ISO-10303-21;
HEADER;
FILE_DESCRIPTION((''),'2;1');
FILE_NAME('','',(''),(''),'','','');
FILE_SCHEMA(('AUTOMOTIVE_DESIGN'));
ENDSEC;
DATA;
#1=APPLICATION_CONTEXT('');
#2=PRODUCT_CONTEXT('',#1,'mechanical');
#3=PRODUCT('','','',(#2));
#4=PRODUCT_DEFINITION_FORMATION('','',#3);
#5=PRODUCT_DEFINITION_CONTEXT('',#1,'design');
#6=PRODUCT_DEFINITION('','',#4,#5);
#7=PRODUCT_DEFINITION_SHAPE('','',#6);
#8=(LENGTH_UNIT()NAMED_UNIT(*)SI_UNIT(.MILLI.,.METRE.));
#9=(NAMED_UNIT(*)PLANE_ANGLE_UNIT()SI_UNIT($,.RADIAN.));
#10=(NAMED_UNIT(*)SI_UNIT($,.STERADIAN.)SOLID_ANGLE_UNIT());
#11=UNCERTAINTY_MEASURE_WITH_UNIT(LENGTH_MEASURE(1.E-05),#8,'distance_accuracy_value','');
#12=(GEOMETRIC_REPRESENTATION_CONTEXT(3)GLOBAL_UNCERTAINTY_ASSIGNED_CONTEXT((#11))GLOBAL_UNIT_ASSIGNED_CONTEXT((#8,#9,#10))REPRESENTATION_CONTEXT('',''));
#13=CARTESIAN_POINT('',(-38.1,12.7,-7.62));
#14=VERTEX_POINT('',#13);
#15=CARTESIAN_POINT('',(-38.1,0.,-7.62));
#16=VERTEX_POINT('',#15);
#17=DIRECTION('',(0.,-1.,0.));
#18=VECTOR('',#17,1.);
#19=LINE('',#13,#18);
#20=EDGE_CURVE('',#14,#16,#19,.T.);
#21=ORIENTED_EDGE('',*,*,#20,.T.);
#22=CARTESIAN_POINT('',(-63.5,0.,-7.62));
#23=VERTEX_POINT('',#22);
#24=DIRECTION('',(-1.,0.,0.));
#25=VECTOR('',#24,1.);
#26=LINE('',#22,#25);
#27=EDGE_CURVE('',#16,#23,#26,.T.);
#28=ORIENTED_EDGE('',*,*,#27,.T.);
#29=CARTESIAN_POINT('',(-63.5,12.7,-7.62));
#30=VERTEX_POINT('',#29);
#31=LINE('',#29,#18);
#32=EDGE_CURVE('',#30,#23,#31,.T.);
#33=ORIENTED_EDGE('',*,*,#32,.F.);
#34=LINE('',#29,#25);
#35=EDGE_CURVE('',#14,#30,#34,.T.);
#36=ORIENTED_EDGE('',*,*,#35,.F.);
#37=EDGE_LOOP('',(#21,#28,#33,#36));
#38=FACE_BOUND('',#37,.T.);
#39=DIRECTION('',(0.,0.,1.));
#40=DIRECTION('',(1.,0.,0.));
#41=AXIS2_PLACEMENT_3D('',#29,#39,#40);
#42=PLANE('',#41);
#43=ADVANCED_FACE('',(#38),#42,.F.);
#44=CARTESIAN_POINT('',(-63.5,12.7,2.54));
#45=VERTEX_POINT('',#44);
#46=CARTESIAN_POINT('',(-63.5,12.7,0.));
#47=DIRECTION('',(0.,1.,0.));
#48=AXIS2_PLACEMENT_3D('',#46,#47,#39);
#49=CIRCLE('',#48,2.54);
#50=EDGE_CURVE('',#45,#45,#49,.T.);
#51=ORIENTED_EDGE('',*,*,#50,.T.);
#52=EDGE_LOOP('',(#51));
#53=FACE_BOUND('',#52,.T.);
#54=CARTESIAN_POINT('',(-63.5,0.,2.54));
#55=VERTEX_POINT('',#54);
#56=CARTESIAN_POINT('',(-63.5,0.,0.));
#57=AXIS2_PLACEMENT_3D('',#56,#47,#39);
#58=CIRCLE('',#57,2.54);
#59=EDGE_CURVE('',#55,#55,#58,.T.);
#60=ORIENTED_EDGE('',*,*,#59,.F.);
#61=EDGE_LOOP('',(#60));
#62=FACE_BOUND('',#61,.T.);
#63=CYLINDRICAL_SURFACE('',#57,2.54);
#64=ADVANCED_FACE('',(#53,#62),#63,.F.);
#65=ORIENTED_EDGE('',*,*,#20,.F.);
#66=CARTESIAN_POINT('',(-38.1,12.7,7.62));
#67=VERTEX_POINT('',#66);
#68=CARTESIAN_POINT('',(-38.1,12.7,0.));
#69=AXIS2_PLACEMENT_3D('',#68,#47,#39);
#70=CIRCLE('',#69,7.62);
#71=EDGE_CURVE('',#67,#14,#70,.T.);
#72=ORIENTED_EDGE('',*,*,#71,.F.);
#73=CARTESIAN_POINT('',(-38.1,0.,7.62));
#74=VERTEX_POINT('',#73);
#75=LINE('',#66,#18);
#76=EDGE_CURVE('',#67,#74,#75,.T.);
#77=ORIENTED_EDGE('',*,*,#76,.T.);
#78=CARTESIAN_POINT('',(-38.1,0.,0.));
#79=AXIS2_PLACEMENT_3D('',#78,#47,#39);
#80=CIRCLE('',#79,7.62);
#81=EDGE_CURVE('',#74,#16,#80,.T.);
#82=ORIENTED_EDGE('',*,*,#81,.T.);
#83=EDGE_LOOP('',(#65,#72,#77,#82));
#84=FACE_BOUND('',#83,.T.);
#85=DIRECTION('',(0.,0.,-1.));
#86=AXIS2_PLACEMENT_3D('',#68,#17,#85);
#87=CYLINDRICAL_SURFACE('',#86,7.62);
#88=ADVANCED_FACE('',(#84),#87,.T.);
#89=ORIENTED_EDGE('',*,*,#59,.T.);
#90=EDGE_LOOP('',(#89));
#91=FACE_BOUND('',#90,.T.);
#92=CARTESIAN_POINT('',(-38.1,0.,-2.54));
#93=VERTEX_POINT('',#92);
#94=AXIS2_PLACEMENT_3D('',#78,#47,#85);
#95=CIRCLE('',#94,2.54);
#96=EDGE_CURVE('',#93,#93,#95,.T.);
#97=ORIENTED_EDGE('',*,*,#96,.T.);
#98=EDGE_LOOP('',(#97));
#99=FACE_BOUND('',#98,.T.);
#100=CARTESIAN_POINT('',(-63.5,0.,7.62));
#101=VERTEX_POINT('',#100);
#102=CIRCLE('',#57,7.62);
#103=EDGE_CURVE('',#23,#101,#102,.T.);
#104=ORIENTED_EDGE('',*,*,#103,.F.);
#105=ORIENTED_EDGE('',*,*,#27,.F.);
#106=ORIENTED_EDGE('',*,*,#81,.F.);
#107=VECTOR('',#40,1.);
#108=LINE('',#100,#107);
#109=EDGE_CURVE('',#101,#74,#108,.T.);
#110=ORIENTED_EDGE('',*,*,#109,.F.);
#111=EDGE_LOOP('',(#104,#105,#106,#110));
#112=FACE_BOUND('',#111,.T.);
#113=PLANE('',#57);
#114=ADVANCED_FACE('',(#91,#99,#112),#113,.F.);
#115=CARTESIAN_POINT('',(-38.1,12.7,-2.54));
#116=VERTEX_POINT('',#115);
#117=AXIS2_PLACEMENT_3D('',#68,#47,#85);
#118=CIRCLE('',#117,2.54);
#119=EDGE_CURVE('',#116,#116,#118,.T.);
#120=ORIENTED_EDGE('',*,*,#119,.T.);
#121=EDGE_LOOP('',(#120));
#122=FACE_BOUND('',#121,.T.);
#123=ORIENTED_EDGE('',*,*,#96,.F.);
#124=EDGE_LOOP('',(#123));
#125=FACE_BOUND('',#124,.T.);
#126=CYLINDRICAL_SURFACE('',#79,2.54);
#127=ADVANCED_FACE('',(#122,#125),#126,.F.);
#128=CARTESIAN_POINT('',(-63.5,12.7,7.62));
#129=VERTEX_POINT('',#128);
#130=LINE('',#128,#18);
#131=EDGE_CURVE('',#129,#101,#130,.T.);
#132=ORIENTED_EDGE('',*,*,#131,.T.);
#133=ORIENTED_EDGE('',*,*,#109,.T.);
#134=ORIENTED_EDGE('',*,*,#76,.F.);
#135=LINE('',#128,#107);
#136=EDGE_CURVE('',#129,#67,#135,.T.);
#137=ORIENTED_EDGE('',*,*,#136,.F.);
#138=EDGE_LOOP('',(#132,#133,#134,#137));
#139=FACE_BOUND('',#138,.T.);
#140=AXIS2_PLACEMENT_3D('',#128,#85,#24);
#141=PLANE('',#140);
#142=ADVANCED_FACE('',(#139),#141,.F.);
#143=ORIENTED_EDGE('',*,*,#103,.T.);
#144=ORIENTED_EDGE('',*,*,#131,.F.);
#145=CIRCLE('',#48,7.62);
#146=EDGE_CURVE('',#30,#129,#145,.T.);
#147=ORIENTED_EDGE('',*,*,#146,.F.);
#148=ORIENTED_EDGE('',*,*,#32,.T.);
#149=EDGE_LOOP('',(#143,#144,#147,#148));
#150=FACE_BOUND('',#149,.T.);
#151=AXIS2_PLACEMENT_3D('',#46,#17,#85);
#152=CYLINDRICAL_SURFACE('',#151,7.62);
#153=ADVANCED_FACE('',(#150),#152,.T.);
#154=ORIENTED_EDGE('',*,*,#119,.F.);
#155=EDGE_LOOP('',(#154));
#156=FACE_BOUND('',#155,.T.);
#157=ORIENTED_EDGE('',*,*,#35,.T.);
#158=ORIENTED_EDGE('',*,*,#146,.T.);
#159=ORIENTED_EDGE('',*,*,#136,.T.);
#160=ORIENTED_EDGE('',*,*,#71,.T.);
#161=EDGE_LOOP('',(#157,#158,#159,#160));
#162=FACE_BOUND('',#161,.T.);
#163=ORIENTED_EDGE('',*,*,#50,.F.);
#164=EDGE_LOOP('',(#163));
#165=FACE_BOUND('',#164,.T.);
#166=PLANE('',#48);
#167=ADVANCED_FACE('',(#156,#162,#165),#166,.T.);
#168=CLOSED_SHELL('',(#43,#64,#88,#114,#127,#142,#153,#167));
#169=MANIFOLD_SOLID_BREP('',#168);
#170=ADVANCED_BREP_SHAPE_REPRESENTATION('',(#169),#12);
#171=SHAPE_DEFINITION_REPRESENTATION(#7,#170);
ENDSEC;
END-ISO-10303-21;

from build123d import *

# Parameters (mm, degrees)
BOSS_EXTRUDE1_DEPTH = 12.7
SKETCH4_R           = 2.54
CUT_EXTRUDE3_DEPTH  = 73.645776202


with BuildPart() as part:
    # Sketch3 → Boss-Extrude1 (new body)
    with BuildSketch(Plane(origin=(0, 0, 0), x_dir=(1, 0, 0), z_dir=(0, 1, 0))):
        with BuildLine():
            Line((-63.5, 7.62), (-38.1, 7.62))
            ThreePointArc((-38.1, 7.62), (-30.48, 0), (-38.1, -7.62))
            Line((-38.1, -7.62), (-63.5, -7.62))
            ThreePointArc((-63.5, -7.62), (-71.12, 0), (-63.5, 7.62))
        make_face()
    extrude(amount=BOSS_EXTRUDE1_DEPTH)

    # Sketch4 → Cut-Extrude3 (cut, through all)
    with BuildSketch(Plane(origin=(0, 12.7, 0), x_dir=(1, 0, 0), z_dir=(0, 1, 0))):
        with Locations(Location((-63.5, 0, 0), (0, 0, 270))):
            Circle(SKETCH4_R)
        with Locations(Location((-38.1, 0, 0), (0, 0, 90))):
            Circle(SKETCH4_R)
    extrude(amount=-CUT_EXTRUDE3_DEPTH, mode=Mode.SUBTRACT)


solid = part.part
